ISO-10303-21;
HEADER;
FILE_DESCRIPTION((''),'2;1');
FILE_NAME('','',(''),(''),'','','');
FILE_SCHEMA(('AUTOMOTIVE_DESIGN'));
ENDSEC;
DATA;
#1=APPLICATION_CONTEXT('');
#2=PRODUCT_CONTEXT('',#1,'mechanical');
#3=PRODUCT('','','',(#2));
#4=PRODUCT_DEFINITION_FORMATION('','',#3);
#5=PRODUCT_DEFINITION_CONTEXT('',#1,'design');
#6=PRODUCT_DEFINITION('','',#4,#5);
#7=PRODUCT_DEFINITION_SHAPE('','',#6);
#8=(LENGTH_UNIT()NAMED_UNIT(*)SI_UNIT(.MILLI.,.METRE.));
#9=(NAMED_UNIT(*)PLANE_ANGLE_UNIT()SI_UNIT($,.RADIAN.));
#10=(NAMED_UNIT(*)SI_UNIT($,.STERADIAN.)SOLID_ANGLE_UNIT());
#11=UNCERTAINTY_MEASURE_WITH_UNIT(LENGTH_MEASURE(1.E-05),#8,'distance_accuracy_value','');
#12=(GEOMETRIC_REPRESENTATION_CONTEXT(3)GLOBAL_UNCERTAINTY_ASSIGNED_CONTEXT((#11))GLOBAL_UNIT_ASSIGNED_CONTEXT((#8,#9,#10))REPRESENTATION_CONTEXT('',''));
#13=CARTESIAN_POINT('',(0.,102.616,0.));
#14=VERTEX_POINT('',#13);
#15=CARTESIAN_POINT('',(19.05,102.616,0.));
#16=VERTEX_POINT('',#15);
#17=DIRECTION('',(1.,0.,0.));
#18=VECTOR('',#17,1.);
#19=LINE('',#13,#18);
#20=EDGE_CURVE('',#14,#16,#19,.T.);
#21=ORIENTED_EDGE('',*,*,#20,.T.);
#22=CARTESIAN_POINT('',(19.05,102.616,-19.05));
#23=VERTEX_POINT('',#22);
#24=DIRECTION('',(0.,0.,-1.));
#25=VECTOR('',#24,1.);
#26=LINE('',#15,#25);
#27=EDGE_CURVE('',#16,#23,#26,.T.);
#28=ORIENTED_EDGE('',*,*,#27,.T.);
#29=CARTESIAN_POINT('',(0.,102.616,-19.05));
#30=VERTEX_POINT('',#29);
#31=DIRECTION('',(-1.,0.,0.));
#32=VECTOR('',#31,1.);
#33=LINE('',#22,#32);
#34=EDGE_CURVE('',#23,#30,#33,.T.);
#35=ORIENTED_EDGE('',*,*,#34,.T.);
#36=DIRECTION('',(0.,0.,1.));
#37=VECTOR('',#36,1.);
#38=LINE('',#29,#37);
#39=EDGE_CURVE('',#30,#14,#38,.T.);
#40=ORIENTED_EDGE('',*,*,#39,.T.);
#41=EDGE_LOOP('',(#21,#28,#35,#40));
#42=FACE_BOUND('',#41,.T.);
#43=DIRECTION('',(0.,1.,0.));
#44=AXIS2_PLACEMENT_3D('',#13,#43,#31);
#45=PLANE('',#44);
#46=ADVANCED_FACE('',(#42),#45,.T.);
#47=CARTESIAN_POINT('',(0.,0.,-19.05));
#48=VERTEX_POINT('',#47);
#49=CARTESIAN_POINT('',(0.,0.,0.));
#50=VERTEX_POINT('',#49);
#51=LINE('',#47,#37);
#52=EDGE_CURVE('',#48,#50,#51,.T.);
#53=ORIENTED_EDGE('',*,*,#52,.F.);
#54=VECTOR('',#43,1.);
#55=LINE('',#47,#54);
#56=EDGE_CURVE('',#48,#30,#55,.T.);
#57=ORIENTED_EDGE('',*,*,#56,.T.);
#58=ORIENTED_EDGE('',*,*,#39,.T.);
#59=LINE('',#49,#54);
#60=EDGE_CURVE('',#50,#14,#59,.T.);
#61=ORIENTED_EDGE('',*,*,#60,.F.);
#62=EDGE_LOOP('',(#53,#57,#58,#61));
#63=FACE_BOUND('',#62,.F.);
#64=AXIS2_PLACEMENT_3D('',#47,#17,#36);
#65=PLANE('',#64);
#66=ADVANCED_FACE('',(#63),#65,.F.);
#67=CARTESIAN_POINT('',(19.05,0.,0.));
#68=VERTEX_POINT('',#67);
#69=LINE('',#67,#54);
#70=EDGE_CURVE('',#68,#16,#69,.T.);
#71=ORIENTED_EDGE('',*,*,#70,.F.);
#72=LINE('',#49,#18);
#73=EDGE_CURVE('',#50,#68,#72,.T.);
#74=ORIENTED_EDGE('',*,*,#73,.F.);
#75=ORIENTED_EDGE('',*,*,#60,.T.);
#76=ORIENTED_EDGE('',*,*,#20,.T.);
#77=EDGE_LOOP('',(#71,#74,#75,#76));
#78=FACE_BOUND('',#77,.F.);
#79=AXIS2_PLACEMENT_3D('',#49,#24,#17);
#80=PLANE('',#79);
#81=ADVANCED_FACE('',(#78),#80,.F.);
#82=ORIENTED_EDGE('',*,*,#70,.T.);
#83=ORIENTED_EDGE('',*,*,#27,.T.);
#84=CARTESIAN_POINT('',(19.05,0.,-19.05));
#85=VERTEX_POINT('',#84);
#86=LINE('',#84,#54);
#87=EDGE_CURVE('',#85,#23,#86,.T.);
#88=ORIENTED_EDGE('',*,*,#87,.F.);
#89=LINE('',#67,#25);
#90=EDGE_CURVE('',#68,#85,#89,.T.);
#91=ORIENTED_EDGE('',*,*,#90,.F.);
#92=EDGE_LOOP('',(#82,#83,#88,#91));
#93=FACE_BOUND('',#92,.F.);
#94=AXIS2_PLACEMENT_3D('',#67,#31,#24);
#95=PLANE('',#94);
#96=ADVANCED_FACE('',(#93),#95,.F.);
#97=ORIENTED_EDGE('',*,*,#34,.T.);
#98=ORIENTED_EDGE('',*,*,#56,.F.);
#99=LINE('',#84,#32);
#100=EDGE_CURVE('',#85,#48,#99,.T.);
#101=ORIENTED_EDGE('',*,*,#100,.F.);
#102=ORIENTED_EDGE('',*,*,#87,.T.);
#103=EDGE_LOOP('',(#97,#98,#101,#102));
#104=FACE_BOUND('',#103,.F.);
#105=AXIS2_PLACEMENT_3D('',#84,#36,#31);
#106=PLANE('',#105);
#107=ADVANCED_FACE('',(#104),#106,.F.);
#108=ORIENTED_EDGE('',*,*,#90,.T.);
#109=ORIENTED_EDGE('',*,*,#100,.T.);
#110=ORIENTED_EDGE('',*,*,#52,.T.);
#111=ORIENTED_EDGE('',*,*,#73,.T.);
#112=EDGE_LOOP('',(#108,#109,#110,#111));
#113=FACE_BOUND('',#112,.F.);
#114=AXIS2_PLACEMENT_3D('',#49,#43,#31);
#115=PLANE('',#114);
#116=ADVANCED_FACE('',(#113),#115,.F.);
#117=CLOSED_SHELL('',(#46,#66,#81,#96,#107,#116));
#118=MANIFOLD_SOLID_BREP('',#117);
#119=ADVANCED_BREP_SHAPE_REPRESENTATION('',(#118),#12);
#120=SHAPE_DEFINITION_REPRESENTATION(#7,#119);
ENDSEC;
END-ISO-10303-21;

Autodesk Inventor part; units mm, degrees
ref_plane "YZ Plane" through (0, 0, 0) normal (1, 0, 0) x (0, 1, 0)
ref_plane "XZ Plane" through (0, 0, 0) normal (0, 1, 0) x (-1, 0, 0)
ref_plane "XY Plane" through (0, 0, 0) normal (0, 0, 1) x (1, 0, 0)
sketch "Sketch1" plane through (0, 0, 0) normal (0, 1, 0) x (-1, 0, 0)
  line L0 (0, 0) -> (-19.05, 0)
  line L1 (-19.05, 0) -> (-19.05, -19.05)
  line L2 (-19.05, -19.05) -> (0, -19.05)
  line L3 (0, -19.05) -> (0, 0)
  dimension "d0" = 19.05
  dimension "d1" = 19.05
extrude "Extrusion1" add sketch "Sketch1" along normal blind 102.616
properties part number "front peice"
